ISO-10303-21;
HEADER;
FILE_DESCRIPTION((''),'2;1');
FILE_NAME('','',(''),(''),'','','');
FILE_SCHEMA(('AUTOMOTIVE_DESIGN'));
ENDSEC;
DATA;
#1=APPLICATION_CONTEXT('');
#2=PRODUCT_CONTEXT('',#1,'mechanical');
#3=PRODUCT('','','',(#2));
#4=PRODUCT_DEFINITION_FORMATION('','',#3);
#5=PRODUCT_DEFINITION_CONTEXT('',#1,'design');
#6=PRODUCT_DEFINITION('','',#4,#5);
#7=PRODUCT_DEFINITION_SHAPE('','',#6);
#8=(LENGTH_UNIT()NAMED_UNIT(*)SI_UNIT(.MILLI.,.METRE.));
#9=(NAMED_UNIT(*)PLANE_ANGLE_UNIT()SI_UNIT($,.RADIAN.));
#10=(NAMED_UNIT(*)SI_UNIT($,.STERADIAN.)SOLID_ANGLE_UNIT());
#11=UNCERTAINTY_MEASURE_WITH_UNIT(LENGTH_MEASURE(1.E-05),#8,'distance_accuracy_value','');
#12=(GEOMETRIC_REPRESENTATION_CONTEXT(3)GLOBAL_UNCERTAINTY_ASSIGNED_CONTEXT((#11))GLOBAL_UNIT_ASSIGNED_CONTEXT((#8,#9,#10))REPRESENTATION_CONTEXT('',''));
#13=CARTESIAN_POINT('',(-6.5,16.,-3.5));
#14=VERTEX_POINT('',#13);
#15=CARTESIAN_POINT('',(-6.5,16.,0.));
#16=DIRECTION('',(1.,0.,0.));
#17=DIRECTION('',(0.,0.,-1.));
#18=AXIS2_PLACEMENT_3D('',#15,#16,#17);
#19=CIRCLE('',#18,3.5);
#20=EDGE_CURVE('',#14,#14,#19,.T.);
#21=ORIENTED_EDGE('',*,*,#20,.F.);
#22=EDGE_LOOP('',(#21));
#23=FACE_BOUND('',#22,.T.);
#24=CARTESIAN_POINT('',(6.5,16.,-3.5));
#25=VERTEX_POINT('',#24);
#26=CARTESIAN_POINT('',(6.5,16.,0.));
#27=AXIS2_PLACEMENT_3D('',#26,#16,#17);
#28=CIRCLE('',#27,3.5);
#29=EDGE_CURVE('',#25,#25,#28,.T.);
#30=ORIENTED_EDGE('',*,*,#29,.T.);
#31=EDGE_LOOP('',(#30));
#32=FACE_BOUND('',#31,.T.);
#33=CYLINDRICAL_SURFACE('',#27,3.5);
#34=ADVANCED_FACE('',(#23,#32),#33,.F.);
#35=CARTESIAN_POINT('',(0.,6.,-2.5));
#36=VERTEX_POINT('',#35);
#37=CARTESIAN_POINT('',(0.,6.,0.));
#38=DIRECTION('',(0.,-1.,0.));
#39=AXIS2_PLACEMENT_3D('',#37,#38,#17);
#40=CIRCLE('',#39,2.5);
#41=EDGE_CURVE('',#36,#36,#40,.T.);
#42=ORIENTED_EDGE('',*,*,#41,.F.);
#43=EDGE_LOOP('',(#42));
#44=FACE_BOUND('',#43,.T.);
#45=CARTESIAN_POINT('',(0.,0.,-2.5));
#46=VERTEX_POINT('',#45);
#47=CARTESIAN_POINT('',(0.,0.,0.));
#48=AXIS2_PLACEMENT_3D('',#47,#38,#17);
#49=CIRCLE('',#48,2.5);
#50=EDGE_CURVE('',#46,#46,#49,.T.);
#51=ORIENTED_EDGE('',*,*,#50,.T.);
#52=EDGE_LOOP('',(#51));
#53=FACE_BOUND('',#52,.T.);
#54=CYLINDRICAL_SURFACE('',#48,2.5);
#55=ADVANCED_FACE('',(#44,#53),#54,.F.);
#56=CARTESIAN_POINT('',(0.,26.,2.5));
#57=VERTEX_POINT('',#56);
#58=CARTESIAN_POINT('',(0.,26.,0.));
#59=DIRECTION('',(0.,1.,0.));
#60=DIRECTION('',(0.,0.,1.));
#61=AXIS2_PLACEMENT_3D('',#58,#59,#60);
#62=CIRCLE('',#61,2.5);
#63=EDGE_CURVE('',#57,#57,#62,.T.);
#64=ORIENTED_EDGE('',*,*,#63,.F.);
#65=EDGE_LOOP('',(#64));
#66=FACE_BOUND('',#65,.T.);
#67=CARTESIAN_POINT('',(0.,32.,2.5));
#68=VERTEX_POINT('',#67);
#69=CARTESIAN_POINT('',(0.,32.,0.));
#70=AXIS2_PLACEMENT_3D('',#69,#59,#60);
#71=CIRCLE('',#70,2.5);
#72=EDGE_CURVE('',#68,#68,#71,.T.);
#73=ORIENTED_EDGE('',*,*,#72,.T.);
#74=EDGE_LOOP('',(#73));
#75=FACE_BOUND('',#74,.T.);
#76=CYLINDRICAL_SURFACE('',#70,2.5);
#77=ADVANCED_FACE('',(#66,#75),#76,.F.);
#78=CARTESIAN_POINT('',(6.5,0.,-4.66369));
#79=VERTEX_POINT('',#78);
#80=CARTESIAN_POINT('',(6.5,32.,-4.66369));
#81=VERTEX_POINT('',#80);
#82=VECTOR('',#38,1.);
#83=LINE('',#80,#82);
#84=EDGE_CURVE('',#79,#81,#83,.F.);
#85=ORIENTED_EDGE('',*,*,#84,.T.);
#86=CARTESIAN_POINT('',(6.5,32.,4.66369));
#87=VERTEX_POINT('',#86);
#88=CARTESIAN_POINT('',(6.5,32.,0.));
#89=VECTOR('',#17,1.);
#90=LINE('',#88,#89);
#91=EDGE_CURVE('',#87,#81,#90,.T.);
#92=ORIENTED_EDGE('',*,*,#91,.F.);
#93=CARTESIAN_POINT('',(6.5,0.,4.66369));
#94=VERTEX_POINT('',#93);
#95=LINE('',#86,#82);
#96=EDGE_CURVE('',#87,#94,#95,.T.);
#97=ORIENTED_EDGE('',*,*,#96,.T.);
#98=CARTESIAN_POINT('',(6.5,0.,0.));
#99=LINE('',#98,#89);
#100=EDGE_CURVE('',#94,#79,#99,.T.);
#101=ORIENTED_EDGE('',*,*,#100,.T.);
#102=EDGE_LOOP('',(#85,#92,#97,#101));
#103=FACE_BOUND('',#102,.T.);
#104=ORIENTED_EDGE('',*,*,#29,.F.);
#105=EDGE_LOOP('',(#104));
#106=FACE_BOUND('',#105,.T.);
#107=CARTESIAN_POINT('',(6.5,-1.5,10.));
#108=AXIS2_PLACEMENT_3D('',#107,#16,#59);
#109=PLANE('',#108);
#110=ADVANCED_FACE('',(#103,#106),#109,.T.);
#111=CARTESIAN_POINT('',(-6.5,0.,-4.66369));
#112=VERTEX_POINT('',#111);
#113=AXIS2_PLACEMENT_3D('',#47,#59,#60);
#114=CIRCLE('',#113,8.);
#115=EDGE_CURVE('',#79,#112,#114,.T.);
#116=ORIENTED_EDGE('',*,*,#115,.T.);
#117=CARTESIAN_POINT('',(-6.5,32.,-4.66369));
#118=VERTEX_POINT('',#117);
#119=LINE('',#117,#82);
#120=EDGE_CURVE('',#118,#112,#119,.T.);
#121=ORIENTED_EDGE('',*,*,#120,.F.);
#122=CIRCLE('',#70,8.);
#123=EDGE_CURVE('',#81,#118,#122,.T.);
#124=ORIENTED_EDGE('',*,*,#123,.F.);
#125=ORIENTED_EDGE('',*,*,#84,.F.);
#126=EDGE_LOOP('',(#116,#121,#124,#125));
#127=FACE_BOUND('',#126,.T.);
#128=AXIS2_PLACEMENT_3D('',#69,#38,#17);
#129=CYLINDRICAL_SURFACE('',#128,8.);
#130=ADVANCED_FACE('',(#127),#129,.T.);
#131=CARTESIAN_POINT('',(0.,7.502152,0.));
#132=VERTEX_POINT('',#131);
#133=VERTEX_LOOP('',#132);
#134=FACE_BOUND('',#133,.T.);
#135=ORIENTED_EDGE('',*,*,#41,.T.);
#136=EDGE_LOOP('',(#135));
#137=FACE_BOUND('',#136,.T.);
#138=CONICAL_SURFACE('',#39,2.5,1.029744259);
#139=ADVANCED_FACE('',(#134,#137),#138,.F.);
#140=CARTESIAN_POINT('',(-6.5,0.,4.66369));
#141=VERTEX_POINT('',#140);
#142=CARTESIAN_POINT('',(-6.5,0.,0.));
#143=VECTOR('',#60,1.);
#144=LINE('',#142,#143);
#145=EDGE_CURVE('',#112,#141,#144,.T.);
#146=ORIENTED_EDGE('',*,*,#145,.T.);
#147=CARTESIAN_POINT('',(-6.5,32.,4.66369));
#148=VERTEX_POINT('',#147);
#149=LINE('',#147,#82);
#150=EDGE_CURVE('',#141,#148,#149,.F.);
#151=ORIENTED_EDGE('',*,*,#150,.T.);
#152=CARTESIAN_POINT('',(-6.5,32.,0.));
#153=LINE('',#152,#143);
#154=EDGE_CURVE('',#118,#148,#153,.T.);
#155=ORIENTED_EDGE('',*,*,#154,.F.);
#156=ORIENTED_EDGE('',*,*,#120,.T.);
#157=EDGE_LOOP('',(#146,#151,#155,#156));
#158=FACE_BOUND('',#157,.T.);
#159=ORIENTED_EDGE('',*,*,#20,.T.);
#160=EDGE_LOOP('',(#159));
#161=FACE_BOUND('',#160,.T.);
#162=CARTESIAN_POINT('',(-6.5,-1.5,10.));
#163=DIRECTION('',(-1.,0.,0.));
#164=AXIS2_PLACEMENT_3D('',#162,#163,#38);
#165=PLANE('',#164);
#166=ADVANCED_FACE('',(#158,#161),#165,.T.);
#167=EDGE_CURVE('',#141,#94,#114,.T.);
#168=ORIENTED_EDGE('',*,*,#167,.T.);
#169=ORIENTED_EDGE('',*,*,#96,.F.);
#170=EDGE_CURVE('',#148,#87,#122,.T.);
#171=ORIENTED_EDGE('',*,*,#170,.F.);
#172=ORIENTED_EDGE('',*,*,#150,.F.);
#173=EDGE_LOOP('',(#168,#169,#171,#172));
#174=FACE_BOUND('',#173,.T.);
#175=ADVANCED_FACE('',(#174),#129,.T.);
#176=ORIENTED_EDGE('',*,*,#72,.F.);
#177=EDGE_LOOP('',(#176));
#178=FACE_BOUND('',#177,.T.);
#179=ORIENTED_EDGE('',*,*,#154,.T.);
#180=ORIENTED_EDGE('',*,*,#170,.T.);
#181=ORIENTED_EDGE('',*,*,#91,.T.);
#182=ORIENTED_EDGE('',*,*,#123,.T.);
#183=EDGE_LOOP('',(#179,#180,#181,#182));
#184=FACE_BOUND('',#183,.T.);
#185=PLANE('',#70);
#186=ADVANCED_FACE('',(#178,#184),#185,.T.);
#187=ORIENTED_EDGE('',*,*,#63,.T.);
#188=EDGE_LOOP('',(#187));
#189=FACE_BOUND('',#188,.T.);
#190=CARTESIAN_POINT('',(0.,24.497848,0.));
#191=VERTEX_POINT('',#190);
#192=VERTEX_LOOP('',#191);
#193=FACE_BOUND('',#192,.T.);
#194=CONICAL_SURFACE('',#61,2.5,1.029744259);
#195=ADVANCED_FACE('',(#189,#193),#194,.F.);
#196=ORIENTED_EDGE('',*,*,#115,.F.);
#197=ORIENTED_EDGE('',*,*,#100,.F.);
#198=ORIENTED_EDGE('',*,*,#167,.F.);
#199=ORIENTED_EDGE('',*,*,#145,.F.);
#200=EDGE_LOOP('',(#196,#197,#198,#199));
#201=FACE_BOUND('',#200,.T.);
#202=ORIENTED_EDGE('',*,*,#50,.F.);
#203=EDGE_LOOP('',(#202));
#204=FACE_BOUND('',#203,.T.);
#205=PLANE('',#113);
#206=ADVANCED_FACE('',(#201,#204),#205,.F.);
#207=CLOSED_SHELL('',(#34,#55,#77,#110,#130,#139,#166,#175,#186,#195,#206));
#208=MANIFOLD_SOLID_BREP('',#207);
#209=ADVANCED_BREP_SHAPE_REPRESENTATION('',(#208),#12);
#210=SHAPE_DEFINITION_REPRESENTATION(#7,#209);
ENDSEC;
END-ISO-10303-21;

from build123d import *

# Parameters (mm, degrees)
SKETCH_1_R               = 8
EXTRUDE_1_DEPTH          = 32
M6X1_0_1_D               = 5
M6X1_0_1_DEPTH           = 6
M6X1_0_1_TIP             = 1.502151548
M6X1_0_2_D               = 5
M6X1_0_2_DEPTH           = 6
M6X1_0_2_TIP             = 1.502151548
CUT_EXTRUDE_2_DEPTH      = 10
CUT_EXTRUDE_2_DEPTH_BACK = 10
SKETCH_10_W              = 1.5
SKETCH_10_H              = 35
M8X1_0_1_D               = 7


with BuildPart() as part:
    # 草图1 → 凸台-拉伸1 (new body)
    with BuildSketch(Plane(origin=(0, 0, 0), x_dir=(1, 0, 0), z_dir=(0, 1, 0))):
        Circle(SKETCH_1_R)
    extrude(amount=EXTRUDE_1_DEPTH)

    # M6x1.0 螺纹孔1
    with Locations(Plane(origin=(0, 32, 0), x_dir=(1, 0, 0), z_dir=(0, 1, 0))):
        with Locations((0, 0)):
            Hole(M6X1_0_1_D / 2, depth=M6X1_0_1_DEPTH)
            with Locations((0, 0, -(M6X1_0_1_DEPTH + M6X1_0_1_TIP / 2))):  # 118° drill point
                Cone(0, M6X1_0_1_D / 2, M6X1_0_1_TIP, mode=Mode.SUBTRACT)

    # M6x1.0 螺纹孔2
    with Locations(Plane(origin=(0, 0, 0), x_dir=(-1, 0, 0), z_dir=(0, -1, 0))):
        with Locations((0, 0)):
            Hole(M6X1_0_2_D / 2, depth=M6X1_0_2_DEPTH)
            with Locations((0, 0, -(M6X1_0_2_DEPTH + M6X1_0_2_TIP / 2))):  # 118° drill point
                Cone(0, M6X1_0_2_D / 2, M6X1_0_2_TIP, mode=Mode.SUBTRACT)

    # 草图10 → 切除-拉伸2 (cut, two sides: drawn at the far end of the back side and taken through both)
    with BuildSketch(Plane.XY.offset(-CUT_EXTRUDE_2_DEPTH_BACK)):
        with Locations((7.25, 16)):
            Rectangle(SKETCH_10_W, SKETCH_10_H)
        with Locations((-7.25, 16)):
            Rectangle(SKETCH_10_W, SKETCH_10_H)
    extrude(amount=CUT_EXTRUDE_2_DEPTH + CUT_EXTRUDE_2_DEPTH_BACK, mode=Mode.SUBTRACT)

    # M8x1.0 螺纹孔1 (through all)
    with Locations(Plane(origin=(6.5, 0, 0), x_dir=(0, 0, -1), z_dir=(1, 0, 0))):
        with Locations((0, 16)):
            Hole(M8X1_0_1_D / 2)


solid = part.part
